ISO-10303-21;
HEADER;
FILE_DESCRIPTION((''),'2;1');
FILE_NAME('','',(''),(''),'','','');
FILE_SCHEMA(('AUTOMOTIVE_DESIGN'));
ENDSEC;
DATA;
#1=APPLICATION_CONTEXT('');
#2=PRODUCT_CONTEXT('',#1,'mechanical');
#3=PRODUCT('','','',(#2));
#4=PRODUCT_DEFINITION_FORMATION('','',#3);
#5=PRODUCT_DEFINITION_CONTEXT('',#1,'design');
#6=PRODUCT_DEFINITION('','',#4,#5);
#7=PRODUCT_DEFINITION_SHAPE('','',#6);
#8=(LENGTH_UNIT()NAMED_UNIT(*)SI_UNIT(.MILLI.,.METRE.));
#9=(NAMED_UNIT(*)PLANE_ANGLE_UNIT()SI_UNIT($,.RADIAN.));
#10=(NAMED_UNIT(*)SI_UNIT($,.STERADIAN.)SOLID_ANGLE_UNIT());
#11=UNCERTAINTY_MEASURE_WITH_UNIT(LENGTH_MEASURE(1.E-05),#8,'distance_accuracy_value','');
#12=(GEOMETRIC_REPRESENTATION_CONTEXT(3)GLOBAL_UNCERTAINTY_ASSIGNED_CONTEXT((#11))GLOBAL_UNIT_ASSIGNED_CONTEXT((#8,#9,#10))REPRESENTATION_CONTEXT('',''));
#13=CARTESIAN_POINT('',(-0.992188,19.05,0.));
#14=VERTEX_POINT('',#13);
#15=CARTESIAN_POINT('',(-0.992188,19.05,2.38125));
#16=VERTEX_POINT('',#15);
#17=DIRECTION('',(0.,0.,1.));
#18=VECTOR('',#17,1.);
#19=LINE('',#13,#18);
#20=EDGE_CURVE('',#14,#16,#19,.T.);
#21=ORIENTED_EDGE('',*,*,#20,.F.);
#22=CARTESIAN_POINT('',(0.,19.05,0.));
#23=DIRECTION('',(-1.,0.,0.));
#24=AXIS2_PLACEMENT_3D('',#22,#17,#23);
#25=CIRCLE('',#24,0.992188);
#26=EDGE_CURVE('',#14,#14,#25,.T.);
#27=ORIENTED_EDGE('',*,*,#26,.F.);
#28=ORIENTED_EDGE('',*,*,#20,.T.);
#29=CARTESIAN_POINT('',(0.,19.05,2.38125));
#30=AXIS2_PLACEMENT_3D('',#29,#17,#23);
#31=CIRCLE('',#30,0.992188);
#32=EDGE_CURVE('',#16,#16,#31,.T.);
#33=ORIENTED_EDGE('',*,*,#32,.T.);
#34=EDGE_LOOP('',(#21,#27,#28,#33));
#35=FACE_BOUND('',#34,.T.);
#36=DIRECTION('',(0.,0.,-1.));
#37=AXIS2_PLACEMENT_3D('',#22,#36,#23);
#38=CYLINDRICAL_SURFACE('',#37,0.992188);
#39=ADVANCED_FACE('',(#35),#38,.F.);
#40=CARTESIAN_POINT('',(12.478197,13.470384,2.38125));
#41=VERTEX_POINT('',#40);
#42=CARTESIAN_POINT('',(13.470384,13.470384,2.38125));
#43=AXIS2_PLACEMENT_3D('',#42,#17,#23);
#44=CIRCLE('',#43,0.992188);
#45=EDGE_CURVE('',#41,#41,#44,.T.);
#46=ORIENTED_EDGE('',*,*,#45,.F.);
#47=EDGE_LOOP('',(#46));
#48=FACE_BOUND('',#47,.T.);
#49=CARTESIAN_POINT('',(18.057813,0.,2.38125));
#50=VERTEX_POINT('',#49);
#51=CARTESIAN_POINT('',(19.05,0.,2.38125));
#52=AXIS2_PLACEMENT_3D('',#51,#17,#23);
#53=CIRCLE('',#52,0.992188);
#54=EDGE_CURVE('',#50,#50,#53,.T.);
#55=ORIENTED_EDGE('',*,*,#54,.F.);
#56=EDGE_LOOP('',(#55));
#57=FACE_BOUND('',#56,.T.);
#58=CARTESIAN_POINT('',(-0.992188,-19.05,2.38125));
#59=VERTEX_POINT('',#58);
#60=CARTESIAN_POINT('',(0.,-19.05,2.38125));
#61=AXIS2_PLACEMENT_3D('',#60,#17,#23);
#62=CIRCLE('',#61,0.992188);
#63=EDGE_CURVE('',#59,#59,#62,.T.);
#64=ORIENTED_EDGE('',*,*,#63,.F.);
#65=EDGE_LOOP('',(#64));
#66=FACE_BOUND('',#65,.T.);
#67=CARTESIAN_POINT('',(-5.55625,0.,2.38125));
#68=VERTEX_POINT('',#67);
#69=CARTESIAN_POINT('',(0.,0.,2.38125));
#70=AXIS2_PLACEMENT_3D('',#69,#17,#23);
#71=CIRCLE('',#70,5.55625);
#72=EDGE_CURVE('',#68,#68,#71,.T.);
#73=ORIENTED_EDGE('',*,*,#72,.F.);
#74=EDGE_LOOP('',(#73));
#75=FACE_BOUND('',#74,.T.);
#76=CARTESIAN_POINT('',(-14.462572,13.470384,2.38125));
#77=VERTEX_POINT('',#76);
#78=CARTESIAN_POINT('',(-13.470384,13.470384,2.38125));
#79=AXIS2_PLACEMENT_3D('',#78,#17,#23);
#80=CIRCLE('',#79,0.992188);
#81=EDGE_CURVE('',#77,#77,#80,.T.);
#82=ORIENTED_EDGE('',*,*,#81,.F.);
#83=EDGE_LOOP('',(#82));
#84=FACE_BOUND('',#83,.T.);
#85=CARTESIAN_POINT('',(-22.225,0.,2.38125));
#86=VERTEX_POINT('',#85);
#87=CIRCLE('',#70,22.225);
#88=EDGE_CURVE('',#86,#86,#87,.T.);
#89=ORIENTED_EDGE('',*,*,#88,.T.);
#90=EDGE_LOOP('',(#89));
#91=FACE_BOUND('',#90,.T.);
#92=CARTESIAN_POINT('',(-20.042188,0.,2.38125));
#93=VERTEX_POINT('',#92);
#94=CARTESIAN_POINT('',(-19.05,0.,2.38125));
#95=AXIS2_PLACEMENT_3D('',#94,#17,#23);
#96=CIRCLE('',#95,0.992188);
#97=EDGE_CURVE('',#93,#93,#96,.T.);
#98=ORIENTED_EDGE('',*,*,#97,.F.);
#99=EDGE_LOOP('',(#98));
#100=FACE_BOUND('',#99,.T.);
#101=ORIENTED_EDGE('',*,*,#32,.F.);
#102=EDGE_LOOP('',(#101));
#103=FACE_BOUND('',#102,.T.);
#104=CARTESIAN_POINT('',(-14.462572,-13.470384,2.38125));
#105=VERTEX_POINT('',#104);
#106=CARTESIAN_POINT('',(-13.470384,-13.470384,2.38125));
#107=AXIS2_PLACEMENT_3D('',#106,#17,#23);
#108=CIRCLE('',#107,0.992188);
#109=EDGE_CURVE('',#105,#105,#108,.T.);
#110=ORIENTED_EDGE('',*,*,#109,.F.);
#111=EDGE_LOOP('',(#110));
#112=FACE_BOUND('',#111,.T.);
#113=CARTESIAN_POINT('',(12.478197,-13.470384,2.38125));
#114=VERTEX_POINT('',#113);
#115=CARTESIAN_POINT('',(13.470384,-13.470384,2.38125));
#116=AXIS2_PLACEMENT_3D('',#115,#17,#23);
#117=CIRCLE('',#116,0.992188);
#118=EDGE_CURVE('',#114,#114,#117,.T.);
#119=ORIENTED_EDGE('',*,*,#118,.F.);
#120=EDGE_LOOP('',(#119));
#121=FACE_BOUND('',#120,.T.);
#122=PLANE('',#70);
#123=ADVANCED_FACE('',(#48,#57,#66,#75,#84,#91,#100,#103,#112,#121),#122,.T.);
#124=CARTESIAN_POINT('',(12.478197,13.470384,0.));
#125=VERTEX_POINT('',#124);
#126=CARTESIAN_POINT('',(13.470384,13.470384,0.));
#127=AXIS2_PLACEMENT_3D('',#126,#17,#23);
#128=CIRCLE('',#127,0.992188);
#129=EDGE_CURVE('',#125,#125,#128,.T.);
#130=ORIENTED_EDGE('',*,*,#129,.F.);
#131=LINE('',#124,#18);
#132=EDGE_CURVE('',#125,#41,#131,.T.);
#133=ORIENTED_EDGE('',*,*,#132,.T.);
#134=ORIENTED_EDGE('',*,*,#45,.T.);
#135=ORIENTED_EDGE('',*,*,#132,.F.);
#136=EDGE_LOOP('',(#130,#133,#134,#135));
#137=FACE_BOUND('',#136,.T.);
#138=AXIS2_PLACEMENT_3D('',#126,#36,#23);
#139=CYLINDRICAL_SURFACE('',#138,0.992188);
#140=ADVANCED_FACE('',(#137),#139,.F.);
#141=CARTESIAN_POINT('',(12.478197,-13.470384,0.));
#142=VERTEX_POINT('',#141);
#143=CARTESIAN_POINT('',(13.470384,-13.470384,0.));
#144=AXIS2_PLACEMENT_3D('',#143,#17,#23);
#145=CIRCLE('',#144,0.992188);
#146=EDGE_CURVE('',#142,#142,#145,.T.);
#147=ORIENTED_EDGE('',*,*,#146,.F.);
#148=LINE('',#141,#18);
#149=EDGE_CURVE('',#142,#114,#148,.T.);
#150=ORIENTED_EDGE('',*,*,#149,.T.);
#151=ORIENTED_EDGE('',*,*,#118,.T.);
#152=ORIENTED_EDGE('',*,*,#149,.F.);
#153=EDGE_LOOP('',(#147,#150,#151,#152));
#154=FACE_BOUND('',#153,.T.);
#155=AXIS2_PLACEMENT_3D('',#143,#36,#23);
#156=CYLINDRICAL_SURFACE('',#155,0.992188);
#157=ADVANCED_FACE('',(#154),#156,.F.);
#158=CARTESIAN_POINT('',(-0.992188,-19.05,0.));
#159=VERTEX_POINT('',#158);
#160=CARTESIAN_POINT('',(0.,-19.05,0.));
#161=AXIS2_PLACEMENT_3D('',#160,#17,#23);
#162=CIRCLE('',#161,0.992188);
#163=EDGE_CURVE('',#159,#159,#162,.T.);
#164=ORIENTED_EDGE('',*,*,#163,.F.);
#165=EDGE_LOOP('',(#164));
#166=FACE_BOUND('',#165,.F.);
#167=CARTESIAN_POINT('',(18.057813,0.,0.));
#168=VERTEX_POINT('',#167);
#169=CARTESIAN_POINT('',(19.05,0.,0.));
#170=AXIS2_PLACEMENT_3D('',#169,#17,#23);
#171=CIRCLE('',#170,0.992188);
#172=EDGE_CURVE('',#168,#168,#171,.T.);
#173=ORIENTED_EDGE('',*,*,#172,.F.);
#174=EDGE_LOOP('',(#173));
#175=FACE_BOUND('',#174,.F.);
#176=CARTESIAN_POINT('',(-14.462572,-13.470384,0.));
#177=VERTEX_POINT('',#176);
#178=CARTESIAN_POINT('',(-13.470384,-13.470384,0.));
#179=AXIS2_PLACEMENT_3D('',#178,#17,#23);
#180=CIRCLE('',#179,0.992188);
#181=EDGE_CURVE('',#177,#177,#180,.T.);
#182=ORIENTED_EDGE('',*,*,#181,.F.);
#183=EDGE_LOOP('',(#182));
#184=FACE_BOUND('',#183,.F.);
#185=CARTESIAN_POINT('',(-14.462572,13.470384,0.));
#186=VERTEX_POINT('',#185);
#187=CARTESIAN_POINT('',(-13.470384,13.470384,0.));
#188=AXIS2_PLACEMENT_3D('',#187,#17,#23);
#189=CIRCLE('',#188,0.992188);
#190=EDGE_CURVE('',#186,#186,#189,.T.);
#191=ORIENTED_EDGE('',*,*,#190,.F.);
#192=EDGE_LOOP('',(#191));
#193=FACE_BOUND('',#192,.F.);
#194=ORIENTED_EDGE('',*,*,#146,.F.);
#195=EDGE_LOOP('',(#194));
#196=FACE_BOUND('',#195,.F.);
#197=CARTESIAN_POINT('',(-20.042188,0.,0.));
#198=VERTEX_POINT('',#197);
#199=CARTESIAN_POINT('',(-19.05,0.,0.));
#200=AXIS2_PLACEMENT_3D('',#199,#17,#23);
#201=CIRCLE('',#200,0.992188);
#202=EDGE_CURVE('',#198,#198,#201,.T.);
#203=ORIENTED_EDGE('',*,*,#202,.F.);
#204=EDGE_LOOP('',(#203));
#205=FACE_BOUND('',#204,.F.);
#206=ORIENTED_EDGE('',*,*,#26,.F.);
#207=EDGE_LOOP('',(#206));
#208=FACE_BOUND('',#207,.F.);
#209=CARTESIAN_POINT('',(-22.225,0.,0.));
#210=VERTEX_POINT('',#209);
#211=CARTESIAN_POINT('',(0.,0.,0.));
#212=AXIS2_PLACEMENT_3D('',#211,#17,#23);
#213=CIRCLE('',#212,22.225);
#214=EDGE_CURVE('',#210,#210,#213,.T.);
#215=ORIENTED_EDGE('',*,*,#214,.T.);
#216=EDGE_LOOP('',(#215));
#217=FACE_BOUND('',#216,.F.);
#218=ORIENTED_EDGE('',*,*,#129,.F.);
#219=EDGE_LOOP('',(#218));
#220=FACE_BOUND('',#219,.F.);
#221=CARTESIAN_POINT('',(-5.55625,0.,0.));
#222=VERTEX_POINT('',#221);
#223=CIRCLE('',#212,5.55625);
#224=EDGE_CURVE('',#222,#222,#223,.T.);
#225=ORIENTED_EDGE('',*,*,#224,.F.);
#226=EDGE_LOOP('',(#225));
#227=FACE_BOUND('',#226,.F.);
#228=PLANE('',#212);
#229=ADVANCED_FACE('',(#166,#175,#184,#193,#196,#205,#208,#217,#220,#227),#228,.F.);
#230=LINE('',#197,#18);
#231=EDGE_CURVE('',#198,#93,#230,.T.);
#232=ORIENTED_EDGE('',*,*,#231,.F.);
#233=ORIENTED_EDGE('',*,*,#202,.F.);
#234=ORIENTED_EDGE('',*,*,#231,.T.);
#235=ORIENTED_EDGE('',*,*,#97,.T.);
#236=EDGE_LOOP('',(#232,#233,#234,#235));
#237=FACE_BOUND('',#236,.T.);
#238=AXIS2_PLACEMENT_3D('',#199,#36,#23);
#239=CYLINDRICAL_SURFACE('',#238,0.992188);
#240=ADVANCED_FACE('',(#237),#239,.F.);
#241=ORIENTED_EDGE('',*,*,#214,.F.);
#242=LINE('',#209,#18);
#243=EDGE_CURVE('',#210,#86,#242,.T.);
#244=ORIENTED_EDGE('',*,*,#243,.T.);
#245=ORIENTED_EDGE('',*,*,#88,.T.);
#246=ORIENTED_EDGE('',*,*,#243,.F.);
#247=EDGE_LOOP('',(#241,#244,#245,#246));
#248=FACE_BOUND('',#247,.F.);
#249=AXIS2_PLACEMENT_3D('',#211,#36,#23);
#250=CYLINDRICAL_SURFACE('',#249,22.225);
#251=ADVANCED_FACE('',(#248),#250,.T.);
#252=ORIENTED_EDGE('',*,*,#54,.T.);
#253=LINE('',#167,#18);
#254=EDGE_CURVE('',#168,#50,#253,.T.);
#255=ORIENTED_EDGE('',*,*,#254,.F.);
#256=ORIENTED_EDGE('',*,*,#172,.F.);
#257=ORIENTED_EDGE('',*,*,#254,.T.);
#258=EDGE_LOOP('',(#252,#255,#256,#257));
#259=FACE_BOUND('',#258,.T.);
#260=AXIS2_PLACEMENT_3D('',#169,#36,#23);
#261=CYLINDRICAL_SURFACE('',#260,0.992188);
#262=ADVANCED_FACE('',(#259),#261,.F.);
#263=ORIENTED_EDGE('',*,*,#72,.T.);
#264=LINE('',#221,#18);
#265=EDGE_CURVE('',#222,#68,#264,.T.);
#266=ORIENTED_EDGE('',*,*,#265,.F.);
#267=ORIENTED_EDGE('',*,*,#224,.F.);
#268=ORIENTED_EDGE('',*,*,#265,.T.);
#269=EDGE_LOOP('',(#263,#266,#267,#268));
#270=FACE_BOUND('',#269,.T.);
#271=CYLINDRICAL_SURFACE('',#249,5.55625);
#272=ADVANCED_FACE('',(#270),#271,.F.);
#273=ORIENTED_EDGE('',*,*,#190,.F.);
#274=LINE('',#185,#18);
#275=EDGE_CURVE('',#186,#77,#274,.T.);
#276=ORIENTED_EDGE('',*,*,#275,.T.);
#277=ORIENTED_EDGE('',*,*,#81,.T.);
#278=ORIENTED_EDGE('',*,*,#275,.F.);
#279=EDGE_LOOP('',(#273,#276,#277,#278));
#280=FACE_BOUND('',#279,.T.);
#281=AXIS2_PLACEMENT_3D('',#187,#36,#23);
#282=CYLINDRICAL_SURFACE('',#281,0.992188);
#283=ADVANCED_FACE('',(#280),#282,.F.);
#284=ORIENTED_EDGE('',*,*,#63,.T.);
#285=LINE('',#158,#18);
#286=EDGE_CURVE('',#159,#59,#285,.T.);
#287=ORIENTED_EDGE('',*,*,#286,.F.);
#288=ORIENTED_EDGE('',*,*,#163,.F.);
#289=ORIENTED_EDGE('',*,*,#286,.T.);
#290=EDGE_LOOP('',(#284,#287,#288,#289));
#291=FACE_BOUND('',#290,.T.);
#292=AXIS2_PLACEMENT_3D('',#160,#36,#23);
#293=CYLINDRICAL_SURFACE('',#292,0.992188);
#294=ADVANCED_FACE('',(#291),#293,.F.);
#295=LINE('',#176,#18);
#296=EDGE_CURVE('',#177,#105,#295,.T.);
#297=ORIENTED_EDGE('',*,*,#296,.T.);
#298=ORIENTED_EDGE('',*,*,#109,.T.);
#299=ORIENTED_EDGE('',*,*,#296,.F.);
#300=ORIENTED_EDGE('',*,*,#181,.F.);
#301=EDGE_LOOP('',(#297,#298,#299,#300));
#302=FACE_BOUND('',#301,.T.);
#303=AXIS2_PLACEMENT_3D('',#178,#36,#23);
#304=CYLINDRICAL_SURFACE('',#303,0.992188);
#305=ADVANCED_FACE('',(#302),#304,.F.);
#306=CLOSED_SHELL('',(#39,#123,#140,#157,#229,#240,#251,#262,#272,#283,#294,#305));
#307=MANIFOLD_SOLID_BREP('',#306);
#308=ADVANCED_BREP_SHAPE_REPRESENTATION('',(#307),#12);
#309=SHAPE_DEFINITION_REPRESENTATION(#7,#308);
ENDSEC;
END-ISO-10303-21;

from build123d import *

# Parameters (mm, degrees)
SKETCH1_R           = 22.225
SKETCH1_R_2         = 0.9921875
SKETCH1_R_3         = 5.55625
BOSS_EXTRUDE1_DEPTH = 2.38125


with BuildPart() as part:
    # Sketch1 → Boss-Extrude1 (new body)
    with BuildSketch(Plane.XY):
        with Locations(Location((0, 0, 0), (0, 0, 180))):
            Circle(SKETCH1_R)
        with Locations(Location((-19.05, 0, 0), (0, 0, 180))):
            Circle(SKETCH1_R_2, mode=Mode.SUBTRACT)
        with Locations(Location((-13.470384182, 13.470384182, 0), (0, 0, 180))):
            Circle(SKETCH1_R_2, mode=Mode.SUBTRACT)
        with Locations(Location((0, 19.05, 0), (0, 0, 180))):
            Circle(SKETCH1_R_2, mode=Mode.SUBTRACT)
        with Locations(Location((13.470384182, 13.470384182, 0), (0, 0, 180))):
            Circle(SKETCH1_R_2, mode=Mode.SUBTRACT)
        with Locations(Location((19.05, 0, 0), (0, 0, 180))):
            Circle(SKETCH1_R_2, mode=Mode.SUBTRACT)
        with Locations(Location((13.470384182, -13.470384182, 0), (0, 0, 180))):
            Circle(SKETCH1_R_2, mode=Mode.SUBTRACT)
        with Locations(Location((0, -19.05, 0), (0, 0, 180))):
            Circle(SKETCH1_R_2, mode=Mode.SUBTRACT)
        with Locations(Location((-13.470384182, -13.470384182, 0), (0, 0, 180))):
            Circle(SKETCH1_R_2, mode=Mode.SUBTRACT)
        with Locations(Location((0, 0, 0), (0, 0, 180))):
            Circle(SKETCH1_R_3, mode=Mode.SUBTRACT)
    extrude(amount=BOSS_EXTRUDE1_DEPTH)


solid = part.part
